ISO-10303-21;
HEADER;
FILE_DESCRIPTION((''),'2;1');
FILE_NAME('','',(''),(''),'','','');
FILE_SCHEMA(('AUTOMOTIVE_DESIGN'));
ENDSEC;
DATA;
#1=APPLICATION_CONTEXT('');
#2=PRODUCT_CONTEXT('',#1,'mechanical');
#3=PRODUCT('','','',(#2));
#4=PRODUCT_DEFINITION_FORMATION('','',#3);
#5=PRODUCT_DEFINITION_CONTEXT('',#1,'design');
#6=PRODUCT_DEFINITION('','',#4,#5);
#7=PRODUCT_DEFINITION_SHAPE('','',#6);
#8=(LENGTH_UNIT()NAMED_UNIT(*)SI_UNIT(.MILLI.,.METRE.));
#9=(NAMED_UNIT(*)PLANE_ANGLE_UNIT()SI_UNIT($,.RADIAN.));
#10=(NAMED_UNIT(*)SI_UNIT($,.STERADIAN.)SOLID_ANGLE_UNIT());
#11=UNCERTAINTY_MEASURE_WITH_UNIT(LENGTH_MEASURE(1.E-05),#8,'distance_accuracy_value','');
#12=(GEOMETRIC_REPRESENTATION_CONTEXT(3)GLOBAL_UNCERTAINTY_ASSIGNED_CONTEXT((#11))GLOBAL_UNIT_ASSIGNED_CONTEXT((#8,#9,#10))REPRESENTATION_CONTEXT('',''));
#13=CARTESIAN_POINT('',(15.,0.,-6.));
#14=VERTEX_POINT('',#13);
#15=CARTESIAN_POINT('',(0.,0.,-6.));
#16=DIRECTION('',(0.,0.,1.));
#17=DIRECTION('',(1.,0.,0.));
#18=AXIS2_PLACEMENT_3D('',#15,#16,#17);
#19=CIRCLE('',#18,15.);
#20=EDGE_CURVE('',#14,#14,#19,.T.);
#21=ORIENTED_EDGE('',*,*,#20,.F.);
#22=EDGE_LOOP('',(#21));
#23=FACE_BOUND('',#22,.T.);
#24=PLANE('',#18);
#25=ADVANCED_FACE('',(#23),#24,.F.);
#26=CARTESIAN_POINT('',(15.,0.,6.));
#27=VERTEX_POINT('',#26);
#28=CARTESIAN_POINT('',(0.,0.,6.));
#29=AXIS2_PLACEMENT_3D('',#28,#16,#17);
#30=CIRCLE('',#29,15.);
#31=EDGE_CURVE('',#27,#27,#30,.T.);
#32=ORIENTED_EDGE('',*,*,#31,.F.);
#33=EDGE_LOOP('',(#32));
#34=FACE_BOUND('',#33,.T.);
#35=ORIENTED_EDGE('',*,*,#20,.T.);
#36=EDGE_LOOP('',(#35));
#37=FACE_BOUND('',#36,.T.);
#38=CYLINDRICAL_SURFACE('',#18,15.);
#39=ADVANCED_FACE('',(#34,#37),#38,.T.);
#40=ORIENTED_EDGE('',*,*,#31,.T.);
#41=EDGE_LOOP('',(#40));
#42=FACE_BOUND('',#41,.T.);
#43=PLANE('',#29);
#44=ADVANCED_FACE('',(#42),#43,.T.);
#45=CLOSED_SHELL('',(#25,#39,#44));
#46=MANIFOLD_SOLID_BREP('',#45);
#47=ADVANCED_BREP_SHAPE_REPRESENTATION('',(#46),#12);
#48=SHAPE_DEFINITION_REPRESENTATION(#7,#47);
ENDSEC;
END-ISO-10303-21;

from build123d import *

# Parameters (mm, degrees)
MTG_KASNAK_D30_KAYIS_START = 6
SKETCH1_R                  = 15
MTG_KASNAK_D30_KAYIS_DEPTH = 12


with BuildPart() as part:
    # Sketch1 → MTG_kasnak_D30_kayis (new body)
    with BuildSketch(Plane.XY.offset(MTG_KASNAK_D30_KAYIS_START)):
        Circle(SKETCH1_R)
    extrude(amount=-MTG_KASNAK_D30_KAYIS_DEPTH)


solid = part.part
